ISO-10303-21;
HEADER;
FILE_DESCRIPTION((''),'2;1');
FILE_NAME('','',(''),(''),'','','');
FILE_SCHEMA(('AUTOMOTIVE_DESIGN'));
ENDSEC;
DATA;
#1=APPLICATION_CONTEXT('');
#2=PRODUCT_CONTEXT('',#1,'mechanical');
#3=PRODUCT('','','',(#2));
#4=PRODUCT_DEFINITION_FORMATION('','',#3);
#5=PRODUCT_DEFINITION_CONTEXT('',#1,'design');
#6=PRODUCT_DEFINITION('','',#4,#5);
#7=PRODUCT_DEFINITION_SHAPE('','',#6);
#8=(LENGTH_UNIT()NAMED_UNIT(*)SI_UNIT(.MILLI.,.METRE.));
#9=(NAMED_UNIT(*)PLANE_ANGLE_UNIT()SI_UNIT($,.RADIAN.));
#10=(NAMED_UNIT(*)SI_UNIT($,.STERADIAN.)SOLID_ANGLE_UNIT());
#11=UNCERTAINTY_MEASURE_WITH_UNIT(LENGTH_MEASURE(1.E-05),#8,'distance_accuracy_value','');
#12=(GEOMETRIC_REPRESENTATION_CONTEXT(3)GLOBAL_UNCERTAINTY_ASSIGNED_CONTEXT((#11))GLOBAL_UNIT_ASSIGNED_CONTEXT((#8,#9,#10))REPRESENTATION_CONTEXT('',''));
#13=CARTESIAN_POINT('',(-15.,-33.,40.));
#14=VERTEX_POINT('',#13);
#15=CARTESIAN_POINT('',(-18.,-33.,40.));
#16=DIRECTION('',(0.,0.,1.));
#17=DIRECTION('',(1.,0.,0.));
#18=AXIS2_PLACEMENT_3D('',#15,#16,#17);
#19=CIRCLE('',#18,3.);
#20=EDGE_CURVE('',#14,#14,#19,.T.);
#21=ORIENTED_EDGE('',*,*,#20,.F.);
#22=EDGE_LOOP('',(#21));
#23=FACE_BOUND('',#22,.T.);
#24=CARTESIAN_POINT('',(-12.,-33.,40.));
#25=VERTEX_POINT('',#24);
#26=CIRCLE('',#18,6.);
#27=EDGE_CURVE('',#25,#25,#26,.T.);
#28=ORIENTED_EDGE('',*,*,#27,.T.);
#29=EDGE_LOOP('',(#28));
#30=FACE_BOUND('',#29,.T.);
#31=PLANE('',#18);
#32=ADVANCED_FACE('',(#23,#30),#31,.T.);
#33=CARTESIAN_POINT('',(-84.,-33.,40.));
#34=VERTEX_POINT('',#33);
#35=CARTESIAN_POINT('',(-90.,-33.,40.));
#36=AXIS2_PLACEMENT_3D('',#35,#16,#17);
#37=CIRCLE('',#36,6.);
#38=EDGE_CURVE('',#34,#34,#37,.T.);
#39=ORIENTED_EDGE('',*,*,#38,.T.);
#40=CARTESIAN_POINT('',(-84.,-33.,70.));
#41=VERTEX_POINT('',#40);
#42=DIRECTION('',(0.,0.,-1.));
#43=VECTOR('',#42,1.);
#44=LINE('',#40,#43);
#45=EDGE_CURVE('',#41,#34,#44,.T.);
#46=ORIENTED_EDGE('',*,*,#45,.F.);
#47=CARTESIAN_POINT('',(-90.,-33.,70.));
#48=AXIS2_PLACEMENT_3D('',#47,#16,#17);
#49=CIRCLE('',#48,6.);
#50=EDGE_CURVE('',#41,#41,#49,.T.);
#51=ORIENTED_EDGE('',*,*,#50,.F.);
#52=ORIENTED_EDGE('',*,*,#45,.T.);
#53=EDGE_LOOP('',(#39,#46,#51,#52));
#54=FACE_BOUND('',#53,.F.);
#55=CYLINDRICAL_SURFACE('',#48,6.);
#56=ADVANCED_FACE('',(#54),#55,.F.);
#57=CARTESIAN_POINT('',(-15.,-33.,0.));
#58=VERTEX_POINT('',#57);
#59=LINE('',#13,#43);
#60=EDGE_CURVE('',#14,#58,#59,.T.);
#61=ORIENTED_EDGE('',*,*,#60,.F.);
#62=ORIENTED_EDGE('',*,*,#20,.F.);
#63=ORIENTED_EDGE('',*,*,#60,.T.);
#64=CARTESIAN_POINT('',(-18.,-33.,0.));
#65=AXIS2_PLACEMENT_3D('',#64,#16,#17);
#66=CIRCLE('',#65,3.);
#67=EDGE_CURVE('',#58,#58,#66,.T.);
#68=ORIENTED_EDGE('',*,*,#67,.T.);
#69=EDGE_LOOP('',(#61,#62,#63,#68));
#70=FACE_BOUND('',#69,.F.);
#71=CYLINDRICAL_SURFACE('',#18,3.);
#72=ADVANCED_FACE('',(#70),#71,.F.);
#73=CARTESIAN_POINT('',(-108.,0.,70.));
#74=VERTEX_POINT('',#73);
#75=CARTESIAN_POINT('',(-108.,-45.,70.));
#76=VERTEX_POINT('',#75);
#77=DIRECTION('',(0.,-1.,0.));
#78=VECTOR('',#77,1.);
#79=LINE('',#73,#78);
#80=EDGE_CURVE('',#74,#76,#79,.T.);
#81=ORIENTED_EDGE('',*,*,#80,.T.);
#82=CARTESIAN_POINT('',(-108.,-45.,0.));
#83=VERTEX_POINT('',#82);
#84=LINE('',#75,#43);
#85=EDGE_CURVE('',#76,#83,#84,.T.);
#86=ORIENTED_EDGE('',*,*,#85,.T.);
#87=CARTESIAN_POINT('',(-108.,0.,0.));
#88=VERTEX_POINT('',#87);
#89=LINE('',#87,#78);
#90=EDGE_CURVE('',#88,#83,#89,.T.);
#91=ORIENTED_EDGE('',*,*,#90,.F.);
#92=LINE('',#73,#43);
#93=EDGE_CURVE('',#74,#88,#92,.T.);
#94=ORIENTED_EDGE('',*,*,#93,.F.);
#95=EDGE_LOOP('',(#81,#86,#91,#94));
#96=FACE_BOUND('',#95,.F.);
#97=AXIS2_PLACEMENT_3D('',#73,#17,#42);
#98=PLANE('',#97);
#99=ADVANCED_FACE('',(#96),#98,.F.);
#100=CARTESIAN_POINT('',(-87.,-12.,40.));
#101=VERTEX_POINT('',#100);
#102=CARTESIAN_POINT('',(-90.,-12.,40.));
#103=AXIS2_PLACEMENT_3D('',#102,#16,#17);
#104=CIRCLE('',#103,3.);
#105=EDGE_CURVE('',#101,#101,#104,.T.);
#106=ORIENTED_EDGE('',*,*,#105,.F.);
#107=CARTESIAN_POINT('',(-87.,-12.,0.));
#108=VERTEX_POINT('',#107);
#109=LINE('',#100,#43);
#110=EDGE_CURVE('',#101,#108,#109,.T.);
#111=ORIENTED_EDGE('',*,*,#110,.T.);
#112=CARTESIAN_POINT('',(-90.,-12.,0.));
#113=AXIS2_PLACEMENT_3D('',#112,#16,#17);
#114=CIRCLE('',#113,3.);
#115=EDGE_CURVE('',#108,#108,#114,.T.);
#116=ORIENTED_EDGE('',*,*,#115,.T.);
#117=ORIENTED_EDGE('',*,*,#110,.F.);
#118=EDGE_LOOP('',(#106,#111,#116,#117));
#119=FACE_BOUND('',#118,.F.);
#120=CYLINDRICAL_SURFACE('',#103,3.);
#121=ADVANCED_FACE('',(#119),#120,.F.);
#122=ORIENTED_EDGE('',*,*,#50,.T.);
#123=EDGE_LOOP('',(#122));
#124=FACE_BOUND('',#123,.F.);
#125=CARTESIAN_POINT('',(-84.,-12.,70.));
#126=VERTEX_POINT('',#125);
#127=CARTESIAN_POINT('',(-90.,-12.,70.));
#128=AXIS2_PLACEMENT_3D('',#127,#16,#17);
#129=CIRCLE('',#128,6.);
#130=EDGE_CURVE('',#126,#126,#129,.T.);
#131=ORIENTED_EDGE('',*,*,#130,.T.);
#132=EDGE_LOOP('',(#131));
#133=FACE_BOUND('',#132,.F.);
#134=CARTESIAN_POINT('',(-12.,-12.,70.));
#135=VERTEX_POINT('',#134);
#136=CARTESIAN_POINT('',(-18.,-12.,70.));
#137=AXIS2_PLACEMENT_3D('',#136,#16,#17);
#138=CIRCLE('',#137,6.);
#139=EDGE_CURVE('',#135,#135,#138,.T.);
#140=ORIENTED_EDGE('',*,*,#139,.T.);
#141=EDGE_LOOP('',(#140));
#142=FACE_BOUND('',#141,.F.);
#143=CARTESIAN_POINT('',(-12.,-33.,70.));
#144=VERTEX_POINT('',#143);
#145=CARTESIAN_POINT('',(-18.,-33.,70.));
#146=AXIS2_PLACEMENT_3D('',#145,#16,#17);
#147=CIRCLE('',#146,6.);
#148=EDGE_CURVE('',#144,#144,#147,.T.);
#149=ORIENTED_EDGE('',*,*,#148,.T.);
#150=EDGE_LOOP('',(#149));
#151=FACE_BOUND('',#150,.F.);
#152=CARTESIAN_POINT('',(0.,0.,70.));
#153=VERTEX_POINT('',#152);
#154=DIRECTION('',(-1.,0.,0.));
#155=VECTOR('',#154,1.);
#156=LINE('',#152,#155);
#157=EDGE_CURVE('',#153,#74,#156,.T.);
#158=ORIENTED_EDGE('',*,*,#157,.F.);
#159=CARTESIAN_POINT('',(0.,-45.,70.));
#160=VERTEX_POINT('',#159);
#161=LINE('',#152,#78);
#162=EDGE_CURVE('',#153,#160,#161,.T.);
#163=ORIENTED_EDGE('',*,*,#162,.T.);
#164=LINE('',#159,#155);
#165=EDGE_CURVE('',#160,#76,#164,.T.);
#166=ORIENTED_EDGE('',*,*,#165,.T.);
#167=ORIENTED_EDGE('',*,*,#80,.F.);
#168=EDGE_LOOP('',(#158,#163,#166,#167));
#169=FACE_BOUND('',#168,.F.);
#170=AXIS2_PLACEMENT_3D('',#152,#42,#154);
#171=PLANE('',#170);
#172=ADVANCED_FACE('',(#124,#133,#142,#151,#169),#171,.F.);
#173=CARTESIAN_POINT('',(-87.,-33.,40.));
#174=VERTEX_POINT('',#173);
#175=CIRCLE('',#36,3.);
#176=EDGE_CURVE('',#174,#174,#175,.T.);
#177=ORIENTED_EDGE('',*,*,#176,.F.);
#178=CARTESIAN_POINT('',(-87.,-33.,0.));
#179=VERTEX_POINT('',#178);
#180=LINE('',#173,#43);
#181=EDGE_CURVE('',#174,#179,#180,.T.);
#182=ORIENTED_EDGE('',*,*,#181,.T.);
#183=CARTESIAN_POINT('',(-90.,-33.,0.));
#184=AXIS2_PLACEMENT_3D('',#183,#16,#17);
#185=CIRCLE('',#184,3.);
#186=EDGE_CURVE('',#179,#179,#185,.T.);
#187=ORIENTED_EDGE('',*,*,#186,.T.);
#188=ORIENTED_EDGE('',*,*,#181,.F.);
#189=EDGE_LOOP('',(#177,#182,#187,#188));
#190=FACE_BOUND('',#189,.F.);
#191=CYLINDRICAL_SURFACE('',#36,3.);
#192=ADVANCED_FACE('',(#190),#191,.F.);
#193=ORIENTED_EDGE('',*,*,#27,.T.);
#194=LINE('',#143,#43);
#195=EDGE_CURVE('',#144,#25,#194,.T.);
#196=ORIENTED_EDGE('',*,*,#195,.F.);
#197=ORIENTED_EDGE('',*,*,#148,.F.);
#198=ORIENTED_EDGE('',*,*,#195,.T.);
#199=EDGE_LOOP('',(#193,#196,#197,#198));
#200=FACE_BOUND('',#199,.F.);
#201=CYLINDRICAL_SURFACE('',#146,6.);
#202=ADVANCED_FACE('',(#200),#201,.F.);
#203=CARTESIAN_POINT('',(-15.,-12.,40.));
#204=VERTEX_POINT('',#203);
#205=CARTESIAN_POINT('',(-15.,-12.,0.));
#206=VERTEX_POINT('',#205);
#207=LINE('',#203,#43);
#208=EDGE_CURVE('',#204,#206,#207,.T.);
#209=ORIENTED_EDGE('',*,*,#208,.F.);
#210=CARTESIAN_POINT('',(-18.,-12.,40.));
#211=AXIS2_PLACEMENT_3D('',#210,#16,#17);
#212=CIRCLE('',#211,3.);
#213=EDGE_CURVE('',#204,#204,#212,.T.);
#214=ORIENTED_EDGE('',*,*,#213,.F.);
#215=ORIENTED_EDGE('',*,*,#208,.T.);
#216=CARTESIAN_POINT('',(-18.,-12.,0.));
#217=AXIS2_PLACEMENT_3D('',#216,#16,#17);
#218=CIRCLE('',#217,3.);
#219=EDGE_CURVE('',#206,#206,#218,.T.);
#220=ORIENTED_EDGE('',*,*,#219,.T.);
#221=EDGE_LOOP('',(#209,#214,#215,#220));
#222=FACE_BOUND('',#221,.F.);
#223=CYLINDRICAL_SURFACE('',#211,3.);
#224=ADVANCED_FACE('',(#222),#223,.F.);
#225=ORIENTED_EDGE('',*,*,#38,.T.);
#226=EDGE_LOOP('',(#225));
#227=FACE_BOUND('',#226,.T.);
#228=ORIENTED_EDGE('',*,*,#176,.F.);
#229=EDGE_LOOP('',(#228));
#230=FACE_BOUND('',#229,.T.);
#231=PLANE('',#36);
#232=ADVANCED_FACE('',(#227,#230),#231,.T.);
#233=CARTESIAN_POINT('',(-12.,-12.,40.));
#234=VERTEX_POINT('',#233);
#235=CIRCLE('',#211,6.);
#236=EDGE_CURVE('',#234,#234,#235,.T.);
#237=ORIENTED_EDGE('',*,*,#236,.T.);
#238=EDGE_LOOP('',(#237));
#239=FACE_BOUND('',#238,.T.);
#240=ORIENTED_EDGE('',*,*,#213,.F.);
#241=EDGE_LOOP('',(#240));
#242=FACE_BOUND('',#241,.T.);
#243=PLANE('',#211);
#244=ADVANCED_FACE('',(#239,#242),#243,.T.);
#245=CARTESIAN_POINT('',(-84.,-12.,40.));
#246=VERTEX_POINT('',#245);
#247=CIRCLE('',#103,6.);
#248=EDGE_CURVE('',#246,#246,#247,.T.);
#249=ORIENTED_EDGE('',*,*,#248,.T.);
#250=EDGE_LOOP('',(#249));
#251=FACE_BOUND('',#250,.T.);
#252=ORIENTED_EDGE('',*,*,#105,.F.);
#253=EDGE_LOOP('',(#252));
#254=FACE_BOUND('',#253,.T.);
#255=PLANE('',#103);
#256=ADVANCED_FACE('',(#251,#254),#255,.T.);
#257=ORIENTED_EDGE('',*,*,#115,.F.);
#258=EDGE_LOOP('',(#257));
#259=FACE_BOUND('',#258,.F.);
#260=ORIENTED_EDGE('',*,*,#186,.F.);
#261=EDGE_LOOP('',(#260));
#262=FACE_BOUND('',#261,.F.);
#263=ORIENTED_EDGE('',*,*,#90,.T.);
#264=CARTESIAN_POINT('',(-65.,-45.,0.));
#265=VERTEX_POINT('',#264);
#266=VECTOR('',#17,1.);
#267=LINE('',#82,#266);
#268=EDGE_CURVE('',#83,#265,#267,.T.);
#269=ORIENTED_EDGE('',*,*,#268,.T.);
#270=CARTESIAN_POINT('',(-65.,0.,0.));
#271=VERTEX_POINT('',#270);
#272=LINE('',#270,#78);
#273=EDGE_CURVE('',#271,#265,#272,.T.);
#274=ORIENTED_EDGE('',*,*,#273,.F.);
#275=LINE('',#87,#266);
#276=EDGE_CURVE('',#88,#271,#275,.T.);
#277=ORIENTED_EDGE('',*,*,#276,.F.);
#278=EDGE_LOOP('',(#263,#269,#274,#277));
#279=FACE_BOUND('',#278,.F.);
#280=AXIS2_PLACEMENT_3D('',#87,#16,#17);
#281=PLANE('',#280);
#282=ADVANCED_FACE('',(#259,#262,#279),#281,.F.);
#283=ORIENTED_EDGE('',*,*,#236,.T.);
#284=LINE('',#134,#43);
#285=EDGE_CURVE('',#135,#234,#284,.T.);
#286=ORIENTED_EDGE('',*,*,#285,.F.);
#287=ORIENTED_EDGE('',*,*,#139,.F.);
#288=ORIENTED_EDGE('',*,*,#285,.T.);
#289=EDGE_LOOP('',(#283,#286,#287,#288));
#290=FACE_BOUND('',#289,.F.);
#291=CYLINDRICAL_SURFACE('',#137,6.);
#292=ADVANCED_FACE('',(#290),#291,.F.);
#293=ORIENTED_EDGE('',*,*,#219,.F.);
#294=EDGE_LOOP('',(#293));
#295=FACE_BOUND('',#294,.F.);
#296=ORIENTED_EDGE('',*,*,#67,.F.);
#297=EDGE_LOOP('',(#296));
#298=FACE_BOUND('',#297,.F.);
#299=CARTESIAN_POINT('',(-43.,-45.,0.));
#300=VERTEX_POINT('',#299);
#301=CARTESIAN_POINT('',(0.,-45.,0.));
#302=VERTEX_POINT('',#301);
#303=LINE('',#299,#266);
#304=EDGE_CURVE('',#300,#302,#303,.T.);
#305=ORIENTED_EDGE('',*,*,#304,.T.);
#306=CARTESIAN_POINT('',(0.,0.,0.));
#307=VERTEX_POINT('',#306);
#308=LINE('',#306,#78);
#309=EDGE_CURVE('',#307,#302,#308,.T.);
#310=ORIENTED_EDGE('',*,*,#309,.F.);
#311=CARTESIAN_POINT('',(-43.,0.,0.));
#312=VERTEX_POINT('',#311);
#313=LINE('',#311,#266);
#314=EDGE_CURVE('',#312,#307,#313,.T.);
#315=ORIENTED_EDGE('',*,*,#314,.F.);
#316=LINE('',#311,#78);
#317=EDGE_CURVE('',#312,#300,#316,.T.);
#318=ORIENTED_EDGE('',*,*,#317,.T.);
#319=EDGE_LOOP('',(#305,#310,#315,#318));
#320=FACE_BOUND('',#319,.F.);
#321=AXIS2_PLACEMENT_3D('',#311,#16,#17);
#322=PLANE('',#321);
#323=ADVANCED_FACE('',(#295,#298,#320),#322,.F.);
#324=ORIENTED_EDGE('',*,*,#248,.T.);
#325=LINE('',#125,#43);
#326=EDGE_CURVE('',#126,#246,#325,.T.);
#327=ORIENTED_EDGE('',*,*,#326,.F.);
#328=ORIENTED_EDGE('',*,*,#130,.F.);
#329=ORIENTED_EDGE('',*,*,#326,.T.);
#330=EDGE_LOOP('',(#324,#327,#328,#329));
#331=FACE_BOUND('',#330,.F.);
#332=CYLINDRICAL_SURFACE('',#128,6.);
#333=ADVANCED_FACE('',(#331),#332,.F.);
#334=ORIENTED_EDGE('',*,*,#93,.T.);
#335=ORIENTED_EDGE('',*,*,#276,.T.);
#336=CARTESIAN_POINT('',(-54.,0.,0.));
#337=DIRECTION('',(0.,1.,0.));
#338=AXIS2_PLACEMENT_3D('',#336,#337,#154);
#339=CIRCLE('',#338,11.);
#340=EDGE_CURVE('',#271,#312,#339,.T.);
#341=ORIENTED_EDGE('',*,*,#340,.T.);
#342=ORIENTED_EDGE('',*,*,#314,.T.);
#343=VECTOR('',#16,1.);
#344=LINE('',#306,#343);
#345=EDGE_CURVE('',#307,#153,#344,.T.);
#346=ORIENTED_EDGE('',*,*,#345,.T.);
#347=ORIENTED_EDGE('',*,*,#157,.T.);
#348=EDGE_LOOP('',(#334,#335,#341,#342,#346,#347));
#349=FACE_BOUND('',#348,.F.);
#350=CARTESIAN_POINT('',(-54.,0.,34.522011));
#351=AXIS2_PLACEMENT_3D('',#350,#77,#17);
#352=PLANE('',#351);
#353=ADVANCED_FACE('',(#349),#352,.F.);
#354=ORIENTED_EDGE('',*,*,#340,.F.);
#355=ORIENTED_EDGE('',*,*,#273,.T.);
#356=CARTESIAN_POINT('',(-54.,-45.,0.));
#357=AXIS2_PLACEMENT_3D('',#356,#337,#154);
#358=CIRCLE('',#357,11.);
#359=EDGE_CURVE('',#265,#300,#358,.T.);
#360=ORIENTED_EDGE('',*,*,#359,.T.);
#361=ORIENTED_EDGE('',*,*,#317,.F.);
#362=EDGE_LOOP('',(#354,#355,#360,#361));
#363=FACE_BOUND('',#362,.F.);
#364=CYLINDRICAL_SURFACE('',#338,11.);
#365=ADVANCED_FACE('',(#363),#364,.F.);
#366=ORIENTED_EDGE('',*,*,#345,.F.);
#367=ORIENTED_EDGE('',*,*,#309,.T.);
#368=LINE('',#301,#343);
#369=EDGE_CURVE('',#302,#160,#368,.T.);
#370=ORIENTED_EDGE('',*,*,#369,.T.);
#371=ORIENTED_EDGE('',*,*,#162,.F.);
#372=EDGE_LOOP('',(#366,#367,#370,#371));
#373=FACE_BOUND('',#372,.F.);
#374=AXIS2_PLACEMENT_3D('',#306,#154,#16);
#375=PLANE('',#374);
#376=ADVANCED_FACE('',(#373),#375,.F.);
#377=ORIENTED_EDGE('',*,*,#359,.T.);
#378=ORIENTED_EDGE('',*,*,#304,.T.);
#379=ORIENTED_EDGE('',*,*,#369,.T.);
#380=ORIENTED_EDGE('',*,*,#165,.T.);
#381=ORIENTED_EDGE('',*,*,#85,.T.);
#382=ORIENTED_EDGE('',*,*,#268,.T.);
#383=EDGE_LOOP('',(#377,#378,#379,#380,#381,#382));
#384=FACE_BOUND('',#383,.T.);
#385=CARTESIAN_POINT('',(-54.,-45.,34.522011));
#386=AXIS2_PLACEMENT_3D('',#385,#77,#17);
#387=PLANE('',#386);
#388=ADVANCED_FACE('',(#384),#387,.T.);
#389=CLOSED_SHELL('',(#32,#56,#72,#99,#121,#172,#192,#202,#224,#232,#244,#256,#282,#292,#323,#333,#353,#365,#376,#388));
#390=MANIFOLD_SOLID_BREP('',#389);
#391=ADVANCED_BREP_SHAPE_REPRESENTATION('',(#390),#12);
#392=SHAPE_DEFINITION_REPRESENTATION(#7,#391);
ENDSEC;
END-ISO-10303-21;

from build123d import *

# Parameters (mm, degrees)
F1_DEPTH = 45
F2_R     = 6
F3_DEPTH = 30
F4_R     = 3
F5_DEPTH = 40.001


with BuildPart() as f1:
    # F0 (on Front) → F1 (new body)
    with BuildSketch(Plane.XZ):
        with BuildLine():
            Line((-43, 0), (0, 0))
            Line((0, 0), (0, 70))
            Line((0, 70), (-108, 70))
            Line((-108, 70), (-108, 0))
            Line((-108, 0), (-65, 0))
            ThreePointArc((-65, 0), (-54, 11), (-43, 0))
        make_face()
    extrude(amount=F1_DEPTH)

    # F2 (on face) → F3 (cut)
    with BuildSketch(Plane.XY.offset(70)):
        with Locations((-90, -12)):
            Circle(F2_R)
        with Locations((-90, -33)):
            Circle(F2_R)
        with Locations((-18, -12)):
            Circle(F2_R)
        with Locations((-18, -33)):
            Circle(F2_R)
    extrude(amount=-F3_DEPTH, mode=Mode.SUBTRACT)

    # F4 (on face) → F5 (cut, through all)
    with BuildSketch(Plane.XY.offset(40)):
        with Locations((-90, -12)):
            Circle(F4_R)
        with Locations((-18, -12)):
            Circle(F4_R)
        with Locations((-18, -33)):
            Circle(F4_R)
        with Locations((-90, -33)):
            Circle(F4_R)
    extrude(amount=-F5_DEPTH, mode=Mode.SUBTRACT)


solid = f1.part
